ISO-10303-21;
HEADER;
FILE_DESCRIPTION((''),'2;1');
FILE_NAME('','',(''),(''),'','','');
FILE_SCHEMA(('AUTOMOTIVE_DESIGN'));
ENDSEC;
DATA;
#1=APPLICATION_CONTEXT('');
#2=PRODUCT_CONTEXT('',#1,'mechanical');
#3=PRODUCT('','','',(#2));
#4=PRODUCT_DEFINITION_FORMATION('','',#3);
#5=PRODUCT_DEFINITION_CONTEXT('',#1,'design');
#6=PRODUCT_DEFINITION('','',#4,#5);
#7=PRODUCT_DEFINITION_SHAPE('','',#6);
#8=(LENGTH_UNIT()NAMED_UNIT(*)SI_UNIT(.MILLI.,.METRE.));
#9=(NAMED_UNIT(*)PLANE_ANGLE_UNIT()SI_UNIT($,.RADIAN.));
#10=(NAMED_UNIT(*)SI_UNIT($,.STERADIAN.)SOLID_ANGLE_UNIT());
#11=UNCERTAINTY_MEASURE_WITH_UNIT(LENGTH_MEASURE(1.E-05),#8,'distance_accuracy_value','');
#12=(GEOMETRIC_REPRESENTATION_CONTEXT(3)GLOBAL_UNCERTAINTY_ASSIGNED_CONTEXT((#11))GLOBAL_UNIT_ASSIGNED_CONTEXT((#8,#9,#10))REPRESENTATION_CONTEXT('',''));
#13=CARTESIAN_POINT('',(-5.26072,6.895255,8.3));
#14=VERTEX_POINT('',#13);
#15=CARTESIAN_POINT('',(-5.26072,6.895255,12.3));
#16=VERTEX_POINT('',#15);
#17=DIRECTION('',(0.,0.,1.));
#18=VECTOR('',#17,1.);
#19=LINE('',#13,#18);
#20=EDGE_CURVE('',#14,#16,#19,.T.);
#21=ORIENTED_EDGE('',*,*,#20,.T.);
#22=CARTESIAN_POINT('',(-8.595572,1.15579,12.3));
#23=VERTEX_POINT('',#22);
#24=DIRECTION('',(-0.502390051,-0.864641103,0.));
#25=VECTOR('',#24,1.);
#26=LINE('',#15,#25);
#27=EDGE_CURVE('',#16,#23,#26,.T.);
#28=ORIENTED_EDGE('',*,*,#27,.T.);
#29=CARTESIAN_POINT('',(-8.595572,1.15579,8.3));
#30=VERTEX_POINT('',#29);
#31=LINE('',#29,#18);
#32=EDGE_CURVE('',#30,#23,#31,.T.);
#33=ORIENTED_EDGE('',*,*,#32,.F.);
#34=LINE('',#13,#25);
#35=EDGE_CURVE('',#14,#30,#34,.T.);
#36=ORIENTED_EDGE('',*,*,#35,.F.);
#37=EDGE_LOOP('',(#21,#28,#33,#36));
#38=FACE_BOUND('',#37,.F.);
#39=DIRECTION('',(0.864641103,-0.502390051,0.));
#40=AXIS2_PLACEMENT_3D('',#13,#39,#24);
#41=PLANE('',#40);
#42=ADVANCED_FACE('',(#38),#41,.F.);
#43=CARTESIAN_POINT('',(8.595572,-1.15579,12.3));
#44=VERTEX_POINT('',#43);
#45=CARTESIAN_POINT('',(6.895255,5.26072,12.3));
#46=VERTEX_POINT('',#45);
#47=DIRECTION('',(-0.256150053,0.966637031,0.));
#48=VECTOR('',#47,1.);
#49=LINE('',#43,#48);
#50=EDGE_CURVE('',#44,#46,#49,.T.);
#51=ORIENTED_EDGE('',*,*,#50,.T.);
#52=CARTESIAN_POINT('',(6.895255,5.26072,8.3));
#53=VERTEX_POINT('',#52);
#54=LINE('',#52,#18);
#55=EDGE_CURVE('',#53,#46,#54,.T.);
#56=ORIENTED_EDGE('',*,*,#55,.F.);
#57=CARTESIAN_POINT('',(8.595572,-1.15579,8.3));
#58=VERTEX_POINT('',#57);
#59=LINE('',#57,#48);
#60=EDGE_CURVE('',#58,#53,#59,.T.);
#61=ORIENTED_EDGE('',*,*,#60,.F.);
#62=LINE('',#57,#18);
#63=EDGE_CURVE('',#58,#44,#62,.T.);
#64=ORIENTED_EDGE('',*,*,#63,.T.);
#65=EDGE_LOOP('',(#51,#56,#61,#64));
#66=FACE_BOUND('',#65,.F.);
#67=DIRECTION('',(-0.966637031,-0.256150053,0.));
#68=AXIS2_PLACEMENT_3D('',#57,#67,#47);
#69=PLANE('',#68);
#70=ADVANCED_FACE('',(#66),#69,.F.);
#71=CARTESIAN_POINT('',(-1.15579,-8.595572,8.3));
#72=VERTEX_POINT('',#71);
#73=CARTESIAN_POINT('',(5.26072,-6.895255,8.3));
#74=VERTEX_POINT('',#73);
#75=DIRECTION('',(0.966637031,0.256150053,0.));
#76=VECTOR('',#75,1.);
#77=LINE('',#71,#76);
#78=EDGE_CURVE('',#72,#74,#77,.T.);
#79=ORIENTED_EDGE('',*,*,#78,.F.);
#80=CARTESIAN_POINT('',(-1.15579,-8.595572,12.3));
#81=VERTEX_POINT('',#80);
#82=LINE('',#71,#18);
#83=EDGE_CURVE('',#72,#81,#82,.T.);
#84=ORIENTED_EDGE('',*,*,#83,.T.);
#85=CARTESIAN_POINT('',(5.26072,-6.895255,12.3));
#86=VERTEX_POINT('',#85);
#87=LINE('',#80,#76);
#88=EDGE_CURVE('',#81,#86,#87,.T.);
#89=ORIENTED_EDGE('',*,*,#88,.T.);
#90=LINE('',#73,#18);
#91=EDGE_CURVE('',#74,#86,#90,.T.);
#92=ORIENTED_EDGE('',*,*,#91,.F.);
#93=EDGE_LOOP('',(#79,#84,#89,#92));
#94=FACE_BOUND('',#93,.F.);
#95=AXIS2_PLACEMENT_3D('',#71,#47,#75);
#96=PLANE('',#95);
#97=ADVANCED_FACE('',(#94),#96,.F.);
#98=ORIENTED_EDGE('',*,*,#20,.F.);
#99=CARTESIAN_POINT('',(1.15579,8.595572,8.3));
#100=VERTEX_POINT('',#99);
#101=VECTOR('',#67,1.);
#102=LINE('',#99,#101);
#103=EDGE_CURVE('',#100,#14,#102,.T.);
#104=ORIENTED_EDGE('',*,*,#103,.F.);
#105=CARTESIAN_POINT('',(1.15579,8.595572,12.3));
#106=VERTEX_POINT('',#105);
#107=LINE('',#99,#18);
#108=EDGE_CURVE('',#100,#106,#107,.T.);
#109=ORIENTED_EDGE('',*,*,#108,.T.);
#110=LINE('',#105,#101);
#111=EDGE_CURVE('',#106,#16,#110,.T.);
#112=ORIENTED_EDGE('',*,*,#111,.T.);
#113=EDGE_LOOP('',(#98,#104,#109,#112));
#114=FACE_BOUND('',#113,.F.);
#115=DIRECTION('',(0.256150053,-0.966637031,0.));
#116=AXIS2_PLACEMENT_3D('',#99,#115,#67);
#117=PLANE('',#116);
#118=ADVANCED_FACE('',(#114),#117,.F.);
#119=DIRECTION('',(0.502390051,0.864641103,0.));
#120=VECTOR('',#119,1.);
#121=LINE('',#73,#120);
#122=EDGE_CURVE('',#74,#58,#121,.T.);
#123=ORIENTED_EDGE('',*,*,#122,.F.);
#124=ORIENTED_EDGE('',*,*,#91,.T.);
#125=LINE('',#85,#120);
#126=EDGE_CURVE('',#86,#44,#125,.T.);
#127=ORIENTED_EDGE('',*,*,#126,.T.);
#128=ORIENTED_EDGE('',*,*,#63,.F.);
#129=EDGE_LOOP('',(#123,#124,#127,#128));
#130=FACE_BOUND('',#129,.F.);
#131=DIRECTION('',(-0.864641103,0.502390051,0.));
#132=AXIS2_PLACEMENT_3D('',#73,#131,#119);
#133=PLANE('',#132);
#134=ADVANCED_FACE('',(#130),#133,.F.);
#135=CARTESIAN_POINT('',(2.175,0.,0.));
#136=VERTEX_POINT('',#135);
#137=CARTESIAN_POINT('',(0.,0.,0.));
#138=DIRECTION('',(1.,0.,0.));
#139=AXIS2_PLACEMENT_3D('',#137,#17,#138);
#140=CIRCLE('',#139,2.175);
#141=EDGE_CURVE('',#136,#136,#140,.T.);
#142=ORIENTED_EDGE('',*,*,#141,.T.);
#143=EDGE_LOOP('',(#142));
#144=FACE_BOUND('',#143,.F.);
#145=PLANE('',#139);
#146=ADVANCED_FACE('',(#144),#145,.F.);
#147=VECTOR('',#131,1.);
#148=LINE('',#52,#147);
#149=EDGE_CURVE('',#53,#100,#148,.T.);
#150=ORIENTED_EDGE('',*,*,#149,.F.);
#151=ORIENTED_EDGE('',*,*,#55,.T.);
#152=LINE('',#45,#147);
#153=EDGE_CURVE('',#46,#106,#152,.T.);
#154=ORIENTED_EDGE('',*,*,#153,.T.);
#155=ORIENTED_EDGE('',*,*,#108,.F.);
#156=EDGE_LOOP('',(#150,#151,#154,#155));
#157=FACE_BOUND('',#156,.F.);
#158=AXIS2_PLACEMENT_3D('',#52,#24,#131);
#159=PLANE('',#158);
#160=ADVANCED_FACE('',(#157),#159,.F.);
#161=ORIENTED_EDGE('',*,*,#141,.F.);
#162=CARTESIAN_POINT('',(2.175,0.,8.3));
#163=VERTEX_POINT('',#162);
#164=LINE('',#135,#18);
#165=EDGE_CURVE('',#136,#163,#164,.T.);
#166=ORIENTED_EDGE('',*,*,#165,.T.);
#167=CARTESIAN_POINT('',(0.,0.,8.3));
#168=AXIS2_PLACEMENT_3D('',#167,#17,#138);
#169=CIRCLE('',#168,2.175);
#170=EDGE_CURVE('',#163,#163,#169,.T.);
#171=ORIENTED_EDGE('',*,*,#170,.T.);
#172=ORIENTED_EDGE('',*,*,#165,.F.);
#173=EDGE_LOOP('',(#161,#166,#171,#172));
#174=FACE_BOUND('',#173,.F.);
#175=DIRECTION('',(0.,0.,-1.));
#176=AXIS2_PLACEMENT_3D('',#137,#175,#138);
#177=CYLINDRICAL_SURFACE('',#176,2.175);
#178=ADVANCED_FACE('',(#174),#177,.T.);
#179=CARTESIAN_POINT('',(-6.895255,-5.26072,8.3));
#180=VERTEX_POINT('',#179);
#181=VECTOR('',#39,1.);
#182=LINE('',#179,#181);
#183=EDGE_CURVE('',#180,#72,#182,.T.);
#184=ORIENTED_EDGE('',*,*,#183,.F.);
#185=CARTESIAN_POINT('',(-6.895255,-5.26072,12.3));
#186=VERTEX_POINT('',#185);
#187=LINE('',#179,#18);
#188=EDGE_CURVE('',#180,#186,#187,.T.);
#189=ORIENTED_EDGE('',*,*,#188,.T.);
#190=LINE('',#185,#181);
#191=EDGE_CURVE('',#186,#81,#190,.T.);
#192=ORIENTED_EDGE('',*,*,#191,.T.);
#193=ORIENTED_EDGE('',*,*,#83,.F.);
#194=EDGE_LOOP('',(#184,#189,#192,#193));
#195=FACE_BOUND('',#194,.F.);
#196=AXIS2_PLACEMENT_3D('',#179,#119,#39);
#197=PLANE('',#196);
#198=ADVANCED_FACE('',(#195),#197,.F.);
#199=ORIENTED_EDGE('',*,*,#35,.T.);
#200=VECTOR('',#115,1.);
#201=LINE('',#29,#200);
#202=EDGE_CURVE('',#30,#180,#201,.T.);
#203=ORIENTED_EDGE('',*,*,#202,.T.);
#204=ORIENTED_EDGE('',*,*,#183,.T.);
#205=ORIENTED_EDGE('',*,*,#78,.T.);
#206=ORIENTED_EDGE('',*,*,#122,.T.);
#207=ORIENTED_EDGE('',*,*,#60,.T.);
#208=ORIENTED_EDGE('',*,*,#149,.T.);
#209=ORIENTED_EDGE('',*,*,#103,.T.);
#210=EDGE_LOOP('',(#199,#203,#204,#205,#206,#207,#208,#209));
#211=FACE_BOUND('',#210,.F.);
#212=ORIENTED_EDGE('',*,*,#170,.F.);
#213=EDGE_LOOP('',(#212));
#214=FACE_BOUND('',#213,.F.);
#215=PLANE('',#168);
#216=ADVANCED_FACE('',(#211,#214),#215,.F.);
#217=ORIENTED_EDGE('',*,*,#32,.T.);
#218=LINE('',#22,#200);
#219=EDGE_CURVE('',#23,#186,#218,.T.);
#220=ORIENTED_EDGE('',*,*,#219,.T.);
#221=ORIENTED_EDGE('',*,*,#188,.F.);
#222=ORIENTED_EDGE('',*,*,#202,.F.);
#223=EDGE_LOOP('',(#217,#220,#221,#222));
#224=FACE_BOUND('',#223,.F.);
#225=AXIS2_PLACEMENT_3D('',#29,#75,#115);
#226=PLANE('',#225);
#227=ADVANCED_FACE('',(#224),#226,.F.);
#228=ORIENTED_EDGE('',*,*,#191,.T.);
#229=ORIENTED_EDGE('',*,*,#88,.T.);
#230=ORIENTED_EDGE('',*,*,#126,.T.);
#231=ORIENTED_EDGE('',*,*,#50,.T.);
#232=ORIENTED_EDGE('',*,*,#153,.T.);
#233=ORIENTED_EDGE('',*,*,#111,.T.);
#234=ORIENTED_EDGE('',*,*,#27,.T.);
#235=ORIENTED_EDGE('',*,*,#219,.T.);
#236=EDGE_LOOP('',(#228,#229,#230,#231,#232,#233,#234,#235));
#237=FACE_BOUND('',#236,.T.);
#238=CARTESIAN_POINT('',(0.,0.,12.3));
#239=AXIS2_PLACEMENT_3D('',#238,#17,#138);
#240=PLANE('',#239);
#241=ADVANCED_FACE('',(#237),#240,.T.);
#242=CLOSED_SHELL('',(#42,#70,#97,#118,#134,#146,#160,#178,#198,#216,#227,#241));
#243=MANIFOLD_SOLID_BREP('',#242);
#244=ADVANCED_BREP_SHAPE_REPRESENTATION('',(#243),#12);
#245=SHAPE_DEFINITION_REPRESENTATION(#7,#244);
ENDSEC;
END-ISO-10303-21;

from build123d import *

# Parameters (mm, degrees)
F0_R     = 2.175
F1_DEPTH = 8.3
F2_R     = 2.175
F3_DEPTH = 4


with BuildPart() as f1:
    # F0 (on Top) → F1 (new body)
    with BuildSketch(Plane.XY):
        Circle(F0_R)
    extrude(amount=F1_DEPTH)

    # F2 (on face) → F3 (join)
    with BuildSketch(Plane.XY.offset(8.3)):
        Polygon((5.26072, -6.895255), (8.595572, -1.15579), (6.895255, 5.26072), (1.15579, 8.595572), (-5.26072, 6.895255), (-8.595572, 1.15579), (-6.895255, -5.26072), (-1.15579, -8.595572), align=None)
        Circle(F2_R, mode=Mode.SUBTRACT)
        Circle(F2_R)
    extrude(amount=F3_DEPTH)


solid = f1.part
